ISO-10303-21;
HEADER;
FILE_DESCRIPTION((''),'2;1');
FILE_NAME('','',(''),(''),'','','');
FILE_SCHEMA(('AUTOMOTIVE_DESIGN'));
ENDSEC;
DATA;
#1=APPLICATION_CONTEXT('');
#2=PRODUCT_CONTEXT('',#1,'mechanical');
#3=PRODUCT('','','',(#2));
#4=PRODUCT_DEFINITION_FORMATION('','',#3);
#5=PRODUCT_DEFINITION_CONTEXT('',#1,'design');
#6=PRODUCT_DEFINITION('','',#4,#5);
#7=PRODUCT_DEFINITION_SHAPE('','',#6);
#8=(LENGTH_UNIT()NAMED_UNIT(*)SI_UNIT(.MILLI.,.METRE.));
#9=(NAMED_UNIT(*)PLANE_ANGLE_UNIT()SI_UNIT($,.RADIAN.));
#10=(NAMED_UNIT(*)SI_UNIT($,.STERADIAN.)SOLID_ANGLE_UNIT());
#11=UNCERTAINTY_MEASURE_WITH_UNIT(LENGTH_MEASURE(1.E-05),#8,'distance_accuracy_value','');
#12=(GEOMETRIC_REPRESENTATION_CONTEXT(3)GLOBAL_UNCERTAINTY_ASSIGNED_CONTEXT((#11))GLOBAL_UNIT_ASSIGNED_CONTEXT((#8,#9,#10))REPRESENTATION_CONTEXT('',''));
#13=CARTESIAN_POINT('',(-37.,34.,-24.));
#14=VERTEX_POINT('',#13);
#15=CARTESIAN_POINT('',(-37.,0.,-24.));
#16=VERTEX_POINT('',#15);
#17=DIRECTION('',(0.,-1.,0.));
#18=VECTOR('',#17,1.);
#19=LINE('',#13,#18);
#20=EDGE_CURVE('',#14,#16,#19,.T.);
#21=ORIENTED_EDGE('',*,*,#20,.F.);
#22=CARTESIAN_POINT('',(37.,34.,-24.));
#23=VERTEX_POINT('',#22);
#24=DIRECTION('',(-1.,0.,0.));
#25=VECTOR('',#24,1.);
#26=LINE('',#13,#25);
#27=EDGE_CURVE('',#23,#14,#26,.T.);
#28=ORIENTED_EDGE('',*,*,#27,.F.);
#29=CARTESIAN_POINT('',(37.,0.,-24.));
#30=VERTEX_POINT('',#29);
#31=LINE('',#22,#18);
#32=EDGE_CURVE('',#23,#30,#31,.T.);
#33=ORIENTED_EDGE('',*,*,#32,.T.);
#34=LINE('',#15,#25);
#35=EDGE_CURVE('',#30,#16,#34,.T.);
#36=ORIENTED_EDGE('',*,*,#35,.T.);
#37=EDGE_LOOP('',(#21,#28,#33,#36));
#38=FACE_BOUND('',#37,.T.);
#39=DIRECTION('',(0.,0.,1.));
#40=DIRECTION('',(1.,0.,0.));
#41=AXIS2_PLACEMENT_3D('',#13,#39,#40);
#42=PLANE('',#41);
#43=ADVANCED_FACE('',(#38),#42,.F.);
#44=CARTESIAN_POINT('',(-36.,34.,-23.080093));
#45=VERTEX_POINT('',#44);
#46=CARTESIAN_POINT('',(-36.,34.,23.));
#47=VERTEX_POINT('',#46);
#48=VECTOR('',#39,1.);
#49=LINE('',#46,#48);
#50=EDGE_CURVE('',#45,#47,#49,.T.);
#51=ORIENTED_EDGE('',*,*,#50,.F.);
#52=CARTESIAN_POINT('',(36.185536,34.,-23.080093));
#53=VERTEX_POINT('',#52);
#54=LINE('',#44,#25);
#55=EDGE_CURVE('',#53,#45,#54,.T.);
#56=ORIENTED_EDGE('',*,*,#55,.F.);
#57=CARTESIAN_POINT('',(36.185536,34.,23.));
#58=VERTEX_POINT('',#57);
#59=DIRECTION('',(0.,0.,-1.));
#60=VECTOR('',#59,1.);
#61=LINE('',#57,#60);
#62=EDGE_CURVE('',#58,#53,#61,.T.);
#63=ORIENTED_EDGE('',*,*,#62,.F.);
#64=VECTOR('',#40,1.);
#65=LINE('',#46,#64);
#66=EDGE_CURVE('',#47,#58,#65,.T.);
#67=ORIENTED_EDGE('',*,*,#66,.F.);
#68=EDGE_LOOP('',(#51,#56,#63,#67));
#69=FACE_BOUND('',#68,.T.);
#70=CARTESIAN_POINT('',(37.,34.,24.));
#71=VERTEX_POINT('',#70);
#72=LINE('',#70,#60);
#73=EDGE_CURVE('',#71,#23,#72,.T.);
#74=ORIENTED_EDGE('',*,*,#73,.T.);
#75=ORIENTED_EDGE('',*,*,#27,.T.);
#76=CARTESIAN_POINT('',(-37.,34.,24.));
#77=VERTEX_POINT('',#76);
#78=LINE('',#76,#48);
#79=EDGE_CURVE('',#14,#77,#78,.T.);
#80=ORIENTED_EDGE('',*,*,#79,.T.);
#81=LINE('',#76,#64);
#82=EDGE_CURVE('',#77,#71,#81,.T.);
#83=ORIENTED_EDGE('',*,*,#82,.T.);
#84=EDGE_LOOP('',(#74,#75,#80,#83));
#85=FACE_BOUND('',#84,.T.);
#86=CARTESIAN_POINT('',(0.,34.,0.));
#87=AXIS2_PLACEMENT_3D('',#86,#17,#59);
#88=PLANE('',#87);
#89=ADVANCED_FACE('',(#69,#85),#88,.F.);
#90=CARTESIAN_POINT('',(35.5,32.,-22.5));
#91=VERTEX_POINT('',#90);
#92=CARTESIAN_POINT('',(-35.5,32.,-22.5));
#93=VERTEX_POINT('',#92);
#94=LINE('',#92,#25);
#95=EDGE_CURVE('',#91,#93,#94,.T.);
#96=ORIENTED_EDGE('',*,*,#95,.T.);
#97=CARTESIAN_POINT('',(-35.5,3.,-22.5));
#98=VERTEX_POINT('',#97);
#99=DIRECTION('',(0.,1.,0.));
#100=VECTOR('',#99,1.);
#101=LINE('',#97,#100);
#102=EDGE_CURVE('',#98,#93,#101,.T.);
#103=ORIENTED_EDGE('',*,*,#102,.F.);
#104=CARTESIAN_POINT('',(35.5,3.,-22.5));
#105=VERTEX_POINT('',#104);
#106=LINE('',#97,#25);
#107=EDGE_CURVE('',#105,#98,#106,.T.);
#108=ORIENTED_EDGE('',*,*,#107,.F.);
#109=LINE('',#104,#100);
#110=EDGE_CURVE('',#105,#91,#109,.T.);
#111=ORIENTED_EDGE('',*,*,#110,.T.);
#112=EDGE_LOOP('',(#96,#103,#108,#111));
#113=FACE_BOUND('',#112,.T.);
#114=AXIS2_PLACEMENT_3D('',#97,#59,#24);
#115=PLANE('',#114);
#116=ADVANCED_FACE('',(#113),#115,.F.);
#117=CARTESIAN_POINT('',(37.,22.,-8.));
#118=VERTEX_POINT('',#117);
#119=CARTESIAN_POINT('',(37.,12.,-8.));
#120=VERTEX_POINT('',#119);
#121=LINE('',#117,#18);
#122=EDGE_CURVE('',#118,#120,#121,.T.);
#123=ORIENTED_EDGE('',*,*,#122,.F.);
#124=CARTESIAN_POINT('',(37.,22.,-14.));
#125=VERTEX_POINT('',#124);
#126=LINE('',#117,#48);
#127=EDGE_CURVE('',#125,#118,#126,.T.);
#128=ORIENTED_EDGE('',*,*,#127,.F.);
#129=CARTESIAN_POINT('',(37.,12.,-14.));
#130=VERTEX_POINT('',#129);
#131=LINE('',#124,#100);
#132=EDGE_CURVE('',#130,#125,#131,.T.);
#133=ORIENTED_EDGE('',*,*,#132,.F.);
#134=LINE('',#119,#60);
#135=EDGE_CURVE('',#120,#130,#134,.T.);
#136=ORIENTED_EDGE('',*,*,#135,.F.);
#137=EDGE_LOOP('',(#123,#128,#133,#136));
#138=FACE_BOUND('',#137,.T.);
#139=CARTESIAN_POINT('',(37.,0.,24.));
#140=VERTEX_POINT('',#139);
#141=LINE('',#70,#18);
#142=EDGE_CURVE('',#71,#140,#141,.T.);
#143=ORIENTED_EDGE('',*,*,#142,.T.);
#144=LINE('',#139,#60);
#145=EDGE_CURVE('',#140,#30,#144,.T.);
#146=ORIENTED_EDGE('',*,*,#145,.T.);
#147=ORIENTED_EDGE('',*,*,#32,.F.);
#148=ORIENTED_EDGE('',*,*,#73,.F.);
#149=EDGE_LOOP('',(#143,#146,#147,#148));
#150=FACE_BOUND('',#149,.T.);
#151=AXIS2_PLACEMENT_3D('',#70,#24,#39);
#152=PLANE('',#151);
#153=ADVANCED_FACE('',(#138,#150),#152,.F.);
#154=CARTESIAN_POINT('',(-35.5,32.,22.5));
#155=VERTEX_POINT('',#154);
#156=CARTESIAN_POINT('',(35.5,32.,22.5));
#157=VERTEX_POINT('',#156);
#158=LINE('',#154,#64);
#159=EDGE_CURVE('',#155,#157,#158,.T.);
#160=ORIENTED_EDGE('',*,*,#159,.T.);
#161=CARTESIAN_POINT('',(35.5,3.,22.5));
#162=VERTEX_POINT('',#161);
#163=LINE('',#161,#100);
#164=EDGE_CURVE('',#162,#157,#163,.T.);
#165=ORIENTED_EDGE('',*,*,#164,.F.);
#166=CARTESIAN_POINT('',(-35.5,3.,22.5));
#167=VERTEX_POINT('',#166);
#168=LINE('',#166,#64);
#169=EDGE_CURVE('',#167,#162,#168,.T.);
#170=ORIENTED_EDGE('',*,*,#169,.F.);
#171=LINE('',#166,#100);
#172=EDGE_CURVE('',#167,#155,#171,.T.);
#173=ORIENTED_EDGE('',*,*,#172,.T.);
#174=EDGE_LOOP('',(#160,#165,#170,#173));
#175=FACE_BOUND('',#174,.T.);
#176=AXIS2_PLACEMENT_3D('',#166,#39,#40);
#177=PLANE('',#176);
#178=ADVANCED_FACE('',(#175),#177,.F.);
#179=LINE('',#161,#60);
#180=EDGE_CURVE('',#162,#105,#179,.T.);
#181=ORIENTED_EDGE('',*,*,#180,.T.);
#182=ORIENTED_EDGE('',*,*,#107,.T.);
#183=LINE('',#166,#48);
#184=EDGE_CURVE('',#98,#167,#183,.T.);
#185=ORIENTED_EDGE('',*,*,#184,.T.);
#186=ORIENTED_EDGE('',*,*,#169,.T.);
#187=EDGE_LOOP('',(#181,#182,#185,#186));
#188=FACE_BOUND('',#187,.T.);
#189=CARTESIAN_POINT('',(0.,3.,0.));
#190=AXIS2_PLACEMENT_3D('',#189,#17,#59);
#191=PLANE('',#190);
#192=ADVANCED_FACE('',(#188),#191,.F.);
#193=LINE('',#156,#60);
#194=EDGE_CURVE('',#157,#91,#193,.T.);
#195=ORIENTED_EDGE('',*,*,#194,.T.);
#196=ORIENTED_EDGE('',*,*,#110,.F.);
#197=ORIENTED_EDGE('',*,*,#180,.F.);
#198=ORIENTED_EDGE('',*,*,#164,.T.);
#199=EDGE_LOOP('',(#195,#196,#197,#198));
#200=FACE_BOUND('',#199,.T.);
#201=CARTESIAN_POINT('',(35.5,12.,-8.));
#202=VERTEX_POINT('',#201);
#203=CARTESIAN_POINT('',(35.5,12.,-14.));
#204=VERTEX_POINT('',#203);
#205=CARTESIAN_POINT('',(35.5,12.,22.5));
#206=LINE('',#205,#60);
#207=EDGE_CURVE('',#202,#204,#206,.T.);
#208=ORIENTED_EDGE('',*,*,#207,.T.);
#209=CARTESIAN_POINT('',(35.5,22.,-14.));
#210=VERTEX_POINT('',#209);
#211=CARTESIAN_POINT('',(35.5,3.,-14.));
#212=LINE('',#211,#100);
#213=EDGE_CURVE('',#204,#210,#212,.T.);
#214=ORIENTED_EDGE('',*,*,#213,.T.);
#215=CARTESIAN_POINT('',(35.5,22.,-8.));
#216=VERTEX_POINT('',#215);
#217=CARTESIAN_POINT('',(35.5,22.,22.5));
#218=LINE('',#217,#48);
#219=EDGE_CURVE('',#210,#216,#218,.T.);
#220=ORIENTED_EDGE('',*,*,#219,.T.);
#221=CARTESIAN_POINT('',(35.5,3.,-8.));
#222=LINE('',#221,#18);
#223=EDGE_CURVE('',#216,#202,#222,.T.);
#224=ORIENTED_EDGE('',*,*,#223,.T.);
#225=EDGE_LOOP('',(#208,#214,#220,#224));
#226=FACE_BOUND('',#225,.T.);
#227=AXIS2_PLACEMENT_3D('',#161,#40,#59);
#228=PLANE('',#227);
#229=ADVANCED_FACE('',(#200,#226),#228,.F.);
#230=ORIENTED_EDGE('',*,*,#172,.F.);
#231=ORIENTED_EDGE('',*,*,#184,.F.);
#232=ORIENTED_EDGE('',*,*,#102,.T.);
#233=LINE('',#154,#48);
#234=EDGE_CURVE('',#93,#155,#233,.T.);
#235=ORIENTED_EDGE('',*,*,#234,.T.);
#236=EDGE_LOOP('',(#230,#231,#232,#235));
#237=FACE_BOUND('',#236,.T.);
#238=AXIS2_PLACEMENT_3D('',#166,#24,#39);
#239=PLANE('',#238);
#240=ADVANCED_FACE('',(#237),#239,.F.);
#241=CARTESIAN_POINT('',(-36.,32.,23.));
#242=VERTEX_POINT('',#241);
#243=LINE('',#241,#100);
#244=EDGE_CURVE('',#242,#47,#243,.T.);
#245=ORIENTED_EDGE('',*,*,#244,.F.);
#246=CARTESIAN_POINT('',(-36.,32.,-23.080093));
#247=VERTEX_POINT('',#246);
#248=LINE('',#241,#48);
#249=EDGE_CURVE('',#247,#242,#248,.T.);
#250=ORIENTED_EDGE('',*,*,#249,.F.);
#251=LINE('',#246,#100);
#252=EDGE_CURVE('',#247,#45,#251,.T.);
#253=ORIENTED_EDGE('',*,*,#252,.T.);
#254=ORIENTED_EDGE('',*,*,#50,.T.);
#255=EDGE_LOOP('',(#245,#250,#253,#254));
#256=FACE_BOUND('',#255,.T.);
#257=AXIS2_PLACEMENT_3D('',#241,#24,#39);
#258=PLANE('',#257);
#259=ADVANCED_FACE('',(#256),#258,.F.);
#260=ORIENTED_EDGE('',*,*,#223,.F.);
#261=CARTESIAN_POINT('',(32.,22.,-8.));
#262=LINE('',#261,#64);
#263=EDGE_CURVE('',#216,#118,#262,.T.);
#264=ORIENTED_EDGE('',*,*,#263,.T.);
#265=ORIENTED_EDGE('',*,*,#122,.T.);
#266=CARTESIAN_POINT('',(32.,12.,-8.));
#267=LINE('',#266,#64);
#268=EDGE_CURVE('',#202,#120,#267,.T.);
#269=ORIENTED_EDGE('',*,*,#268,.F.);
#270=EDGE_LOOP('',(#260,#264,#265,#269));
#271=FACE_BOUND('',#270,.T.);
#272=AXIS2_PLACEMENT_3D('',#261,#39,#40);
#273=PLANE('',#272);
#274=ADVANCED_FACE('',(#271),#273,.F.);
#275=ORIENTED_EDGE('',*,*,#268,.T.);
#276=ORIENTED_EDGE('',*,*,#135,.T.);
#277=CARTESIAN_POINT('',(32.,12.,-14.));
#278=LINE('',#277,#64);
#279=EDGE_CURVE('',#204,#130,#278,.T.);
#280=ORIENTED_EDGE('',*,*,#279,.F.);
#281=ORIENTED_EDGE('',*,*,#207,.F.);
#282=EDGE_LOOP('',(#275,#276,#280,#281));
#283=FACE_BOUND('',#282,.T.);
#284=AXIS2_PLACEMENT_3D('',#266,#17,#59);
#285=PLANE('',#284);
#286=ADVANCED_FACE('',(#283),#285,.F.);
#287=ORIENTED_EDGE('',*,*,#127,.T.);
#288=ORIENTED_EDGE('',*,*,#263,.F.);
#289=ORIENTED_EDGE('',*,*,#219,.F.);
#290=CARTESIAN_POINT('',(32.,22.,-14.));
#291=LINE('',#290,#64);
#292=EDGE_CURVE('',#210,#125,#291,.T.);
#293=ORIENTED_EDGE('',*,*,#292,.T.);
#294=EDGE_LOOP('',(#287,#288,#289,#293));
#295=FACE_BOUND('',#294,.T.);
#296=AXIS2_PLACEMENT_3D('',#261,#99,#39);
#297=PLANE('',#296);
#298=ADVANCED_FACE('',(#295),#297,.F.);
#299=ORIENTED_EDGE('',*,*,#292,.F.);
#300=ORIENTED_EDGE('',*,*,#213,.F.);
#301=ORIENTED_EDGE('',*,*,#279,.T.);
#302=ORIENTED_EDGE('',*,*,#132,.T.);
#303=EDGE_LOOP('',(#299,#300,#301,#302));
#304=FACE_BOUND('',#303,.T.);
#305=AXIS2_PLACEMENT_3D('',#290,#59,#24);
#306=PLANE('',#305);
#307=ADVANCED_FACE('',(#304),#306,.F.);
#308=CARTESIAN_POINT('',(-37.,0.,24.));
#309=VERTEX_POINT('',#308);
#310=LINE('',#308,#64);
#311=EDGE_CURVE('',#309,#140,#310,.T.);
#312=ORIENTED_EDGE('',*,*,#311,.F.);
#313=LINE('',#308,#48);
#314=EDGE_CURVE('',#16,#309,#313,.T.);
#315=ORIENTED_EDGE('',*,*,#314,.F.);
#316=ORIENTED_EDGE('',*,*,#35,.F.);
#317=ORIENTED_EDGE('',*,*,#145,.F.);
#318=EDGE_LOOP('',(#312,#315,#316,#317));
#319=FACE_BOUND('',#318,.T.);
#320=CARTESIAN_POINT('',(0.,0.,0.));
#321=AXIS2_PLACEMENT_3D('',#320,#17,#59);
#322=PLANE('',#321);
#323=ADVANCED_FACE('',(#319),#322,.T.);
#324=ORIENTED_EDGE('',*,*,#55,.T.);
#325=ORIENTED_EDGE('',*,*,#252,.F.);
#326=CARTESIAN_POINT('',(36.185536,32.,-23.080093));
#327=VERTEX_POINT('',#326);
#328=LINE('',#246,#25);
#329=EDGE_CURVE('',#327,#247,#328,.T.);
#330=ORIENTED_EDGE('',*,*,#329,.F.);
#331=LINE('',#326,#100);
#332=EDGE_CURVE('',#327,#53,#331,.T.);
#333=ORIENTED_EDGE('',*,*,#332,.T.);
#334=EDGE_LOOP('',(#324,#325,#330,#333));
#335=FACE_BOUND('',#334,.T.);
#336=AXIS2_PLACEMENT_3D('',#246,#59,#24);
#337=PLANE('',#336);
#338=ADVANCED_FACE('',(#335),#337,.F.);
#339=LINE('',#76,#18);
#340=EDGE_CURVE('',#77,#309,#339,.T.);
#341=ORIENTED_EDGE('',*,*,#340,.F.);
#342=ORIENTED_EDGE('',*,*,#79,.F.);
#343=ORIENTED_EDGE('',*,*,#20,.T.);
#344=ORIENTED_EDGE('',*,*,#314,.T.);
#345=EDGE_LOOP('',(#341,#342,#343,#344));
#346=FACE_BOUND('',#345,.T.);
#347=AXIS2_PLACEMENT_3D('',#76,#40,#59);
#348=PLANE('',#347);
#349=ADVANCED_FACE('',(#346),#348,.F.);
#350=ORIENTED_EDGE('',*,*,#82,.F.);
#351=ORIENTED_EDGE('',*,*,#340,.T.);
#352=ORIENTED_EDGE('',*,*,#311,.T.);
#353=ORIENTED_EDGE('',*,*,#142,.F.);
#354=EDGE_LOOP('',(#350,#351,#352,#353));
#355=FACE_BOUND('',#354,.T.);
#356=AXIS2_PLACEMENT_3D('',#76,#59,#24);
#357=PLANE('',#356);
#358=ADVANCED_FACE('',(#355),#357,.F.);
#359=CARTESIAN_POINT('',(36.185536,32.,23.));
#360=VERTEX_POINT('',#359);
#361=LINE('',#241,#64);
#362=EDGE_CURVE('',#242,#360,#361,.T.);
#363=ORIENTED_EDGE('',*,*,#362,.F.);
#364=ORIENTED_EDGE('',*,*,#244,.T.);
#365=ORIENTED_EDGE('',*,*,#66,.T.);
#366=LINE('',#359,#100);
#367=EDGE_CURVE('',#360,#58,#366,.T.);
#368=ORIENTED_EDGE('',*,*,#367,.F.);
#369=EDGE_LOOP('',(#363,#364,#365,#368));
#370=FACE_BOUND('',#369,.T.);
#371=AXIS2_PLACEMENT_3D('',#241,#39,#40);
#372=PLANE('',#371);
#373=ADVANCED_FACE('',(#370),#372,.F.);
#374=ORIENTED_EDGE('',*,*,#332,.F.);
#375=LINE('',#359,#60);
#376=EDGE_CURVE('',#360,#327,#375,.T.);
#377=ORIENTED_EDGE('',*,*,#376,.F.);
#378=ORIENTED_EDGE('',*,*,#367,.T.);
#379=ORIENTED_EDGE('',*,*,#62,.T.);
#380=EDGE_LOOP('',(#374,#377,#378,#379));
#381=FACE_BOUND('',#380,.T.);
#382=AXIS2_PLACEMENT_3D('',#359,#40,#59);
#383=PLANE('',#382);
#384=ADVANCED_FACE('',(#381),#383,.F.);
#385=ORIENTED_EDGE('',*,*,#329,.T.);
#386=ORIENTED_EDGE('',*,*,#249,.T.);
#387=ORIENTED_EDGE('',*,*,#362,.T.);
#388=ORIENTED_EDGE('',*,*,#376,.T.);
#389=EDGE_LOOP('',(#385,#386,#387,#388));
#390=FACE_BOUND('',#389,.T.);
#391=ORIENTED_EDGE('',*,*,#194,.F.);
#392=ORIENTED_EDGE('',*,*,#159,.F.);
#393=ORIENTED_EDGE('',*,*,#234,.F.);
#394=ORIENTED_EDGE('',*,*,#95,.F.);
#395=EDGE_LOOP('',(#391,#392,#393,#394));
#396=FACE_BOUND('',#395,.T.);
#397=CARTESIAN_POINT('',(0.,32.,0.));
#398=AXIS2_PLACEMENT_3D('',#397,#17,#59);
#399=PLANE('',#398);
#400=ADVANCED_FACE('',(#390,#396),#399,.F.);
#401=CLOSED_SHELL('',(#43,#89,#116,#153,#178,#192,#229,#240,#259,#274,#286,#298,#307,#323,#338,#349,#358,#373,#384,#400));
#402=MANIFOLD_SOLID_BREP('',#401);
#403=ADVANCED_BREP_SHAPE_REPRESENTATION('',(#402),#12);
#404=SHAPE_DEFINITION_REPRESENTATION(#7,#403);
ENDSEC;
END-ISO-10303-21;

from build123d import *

# Parameters (mm, degrees)
SKETCH1_W           = 74
SKETCH1_H           = 48
BOSS_EXTRUDE1_DEPTH = 34
SKETCH3_W           = 71
SKETCH3_H           = 45
CUT_EXTRUDE1_DEPTH  = 31
SKETCH4_W           = 72.185535561
SKETCH4_H           = 46.080093343
CUT_EXTRUDE2_DEPTH  = 2
SKETCH5_W           = 6
SKETCH5_H           = 10
CUT_EXTRUDE3_DEPTH  = 5


with BuildPart() as part:
    # Sketch1 → Boss-Extrude1 (new body)
    with BuildSketch(Plane(origin=(0, 0, 0), x_dir=(1, 0, 0), z_dir=(0, 1, 0))):
        Rectangle(SKETCH1_W, SKETCH1_H)
    extrude(amount=BOSS_EXTRUDE1_DEPTH)

    # Sketch3 → Cut-Extrude1 (cut)
    with BuildSketch(Plane(origin=(0, 34, 0), x_dir=(1, 0, 0), z_dir=(0, 1, 0))):
        Rectangle(SKETCH3_W, SKETCH3_H)
    extrude(amount=-CUT_EXTRUDE1_DEPTH, mode=Mode.SUBTRACT)

    # Sketch4 → Cut-Extrude2 (cut)
    with BuildSketch(Plane(origin=(0, 34, 0), x_dir=(1, 0, 0), z_dir=(0, 1, 0))):
        with Locations((0.092767781, 0.040046672)):
            Rectangle(SKETCH4_W, SKETCH4_H)
    extrude(amount=-CUT_EXTRUDE2_DEPTH, mode=Mode.SUBTRACT)

    # Sketch5 → Cut-Extrude3 (cut)
    with BuildSketch(Plane(origin=(37, 0, 0), x_dir=(0, 0, -1), z_dir=(1, 0, 0))):
        with Locations((11, 17)):
            Rectangle(SKETCH5_W, SKETCH5_H)
    extrude(amount=-CUT_EXTRUDE3_DEPTH, mode=Mode.SUBTRACT)


solid = part.part
